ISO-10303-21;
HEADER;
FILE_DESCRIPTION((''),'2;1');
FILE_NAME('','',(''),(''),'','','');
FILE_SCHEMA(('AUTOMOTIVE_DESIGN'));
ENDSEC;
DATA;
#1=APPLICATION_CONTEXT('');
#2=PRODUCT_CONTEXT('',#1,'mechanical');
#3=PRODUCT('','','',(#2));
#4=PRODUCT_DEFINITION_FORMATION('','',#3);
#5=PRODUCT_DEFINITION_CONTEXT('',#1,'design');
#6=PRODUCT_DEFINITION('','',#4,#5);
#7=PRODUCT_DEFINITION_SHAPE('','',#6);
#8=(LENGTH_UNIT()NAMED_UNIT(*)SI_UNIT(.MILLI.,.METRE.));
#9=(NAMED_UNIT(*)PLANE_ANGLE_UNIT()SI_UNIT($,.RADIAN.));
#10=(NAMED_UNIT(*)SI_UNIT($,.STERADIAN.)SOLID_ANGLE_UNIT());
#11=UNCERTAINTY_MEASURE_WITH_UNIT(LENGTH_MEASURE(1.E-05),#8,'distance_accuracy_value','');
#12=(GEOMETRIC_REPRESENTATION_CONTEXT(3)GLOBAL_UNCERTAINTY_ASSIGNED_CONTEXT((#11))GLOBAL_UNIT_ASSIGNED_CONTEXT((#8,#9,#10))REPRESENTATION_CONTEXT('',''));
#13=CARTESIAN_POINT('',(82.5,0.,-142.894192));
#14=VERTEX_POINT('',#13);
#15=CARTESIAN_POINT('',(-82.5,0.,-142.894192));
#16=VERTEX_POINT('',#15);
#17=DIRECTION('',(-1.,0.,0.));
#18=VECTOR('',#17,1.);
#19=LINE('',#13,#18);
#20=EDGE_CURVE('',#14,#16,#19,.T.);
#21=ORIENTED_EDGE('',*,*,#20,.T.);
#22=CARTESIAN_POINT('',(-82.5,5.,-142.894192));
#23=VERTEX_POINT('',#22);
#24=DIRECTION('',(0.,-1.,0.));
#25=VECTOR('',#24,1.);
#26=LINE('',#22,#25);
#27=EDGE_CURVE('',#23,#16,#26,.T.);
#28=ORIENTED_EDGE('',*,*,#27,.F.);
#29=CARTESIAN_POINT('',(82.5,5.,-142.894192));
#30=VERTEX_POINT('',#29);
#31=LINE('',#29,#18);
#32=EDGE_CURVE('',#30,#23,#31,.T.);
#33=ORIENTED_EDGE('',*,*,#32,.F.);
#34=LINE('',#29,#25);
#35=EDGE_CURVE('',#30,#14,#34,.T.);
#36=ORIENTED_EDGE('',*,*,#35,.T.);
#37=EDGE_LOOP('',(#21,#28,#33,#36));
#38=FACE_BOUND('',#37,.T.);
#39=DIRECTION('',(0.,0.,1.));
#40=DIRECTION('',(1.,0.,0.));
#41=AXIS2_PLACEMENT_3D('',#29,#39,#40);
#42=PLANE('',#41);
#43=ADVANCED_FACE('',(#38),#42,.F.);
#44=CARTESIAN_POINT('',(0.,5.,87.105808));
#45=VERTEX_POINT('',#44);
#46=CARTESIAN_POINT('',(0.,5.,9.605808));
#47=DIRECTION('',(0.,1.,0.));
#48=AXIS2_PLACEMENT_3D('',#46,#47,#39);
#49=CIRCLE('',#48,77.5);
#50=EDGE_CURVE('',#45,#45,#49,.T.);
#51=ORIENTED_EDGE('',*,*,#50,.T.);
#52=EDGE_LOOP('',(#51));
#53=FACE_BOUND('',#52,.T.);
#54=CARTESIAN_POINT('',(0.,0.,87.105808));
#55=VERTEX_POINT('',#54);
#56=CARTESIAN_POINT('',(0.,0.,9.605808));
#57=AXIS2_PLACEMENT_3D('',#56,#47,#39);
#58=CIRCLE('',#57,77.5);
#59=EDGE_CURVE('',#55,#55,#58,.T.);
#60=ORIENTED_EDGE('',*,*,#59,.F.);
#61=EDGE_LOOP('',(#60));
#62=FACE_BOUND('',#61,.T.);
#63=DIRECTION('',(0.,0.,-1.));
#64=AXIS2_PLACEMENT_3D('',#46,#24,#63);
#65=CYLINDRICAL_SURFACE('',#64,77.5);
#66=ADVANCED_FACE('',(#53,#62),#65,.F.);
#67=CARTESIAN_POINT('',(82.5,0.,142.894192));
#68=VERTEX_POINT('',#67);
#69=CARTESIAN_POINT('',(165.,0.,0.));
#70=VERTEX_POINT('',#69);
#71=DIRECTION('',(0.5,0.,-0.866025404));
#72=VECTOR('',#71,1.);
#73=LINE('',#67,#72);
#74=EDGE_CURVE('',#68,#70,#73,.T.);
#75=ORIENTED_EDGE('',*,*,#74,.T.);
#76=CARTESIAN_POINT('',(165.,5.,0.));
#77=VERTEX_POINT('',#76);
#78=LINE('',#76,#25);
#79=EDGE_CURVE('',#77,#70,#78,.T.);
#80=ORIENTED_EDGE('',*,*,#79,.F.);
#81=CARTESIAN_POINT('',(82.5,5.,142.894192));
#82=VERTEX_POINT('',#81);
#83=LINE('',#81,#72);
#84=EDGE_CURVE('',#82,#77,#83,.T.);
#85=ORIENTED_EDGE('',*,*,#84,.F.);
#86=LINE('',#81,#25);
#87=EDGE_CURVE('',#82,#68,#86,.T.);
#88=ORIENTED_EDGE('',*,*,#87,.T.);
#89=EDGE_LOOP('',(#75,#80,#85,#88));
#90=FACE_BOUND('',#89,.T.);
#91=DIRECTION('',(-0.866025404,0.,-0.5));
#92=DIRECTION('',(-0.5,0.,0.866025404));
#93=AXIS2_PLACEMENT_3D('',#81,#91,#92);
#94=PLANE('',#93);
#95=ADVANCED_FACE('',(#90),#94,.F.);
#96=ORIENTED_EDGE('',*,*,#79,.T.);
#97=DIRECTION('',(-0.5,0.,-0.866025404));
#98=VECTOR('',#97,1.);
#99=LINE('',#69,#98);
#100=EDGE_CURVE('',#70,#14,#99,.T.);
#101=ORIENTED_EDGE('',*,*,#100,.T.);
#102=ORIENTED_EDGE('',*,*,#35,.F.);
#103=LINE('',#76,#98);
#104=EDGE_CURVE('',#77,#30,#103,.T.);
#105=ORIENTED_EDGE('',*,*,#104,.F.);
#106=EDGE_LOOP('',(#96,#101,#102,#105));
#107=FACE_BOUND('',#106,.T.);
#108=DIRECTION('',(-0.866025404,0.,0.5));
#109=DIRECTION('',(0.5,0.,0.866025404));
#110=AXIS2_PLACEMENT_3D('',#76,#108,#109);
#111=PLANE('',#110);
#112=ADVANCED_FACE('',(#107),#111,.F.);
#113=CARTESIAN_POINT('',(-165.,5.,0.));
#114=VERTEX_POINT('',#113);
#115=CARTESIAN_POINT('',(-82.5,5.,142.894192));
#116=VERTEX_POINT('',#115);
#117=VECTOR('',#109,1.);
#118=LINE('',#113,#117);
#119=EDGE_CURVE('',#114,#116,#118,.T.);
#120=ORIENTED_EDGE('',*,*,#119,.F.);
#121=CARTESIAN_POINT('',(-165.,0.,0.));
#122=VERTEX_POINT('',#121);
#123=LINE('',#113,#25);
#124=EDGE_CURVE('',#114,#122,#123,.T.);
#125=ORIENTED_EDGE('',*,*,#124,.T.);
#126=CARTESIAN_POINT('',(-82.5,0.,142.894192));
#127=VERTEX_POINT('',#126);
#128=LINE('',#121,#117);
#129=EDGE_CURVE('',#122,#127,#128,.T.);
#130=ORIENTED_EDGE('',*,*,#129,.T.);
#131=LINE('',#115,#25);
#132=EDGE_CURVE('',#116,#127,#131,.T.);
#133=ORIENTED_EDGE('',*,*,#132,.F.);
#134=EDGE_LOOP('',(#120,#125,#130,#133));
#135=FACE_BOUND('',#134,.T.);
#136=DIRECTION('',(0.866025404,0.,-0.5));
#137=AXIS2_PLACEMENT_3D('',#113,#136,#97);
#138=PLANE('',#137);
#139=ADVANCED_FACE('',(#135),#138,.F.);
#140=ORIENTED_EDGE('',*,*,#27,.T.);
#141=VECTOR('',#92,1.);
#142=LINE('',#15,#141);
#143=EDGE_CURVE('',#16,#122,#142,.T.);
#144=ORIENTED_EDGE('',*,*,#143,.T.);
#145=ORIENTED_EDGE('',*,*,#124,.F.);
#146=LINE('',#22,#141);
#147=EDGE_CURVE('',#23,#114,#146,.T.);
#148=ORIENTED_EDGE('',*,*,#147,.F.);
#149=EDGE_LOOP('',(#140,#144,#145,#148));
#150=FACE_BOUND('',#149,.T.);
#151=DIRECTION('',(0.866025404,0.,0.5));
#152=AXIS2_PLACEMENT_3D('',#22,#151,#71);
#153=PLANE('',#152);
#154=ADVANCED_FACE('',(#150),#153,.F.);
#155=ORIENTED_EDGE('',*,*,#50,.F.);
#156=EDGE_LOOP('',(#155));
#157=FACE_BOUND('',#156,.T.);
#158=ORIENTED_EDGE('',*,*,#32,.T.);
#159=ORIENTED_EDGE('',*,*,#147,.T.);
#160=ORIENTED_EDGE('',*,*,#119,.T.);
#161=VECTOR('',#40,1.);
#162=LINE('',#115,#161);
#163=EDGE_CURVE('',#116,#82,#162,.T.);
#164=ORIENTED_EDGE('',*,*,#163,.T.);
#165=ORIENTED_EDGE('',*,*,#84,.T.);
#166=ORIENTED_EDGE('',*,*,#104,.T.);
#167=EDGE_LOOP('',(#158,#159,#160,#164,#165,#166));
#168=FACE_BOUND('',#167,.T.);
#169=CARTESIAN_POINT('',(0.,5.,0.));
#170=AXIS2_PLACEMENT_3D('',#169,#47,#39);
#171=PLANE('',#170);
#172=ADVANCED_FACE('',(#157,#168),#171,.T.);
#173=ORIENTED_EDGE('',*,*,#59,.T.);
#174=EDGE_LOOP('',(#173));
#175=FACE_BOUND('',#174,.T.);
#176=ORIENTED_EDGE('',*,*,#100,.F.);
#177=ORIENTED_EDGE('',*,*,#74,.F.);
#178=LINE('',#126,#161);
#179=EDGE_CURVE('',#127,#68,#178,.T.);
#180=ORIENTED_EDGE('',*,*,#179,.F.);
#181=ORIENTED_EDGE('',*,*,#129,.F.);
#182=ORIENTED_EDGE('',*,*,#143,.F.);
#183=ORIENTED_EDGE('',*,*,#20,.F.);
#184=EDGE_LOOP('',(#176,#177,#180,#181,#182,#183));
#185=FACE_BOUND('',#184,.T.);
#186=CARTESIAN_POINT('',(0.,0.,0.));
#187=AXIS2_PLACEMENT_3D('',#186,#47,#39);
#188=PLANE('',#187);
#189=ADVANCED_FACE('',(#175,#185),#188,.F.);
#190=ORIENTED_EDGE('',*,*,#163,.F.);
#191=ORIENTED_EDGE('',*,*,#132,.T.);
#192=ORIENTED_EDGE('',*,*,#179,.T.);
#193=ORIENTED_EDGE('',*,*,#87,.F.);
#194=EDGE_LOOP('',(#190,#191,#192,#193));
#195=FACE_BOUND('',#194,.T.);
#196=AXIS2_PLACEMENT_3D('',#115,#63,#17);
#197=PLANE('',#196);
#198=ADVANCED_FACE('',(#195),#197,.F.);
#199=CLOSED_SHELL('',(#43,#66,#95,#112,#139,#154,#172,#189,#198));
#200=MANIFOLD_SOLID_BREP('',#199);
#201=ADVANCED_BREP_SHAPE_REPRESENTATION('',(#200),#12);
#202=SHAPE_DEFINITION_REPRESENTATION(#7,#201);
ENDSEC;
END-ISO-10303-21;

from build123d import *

# Parameters (mm, degrees)
SKETCH1_R           = 77.5
BOSS_EXTRUDE1_DEPTH = 5


with BuildPart() as part:
    # Sketch1 → Boss-Extrude1 (new body)
    with BuildSketch(Plane(origin=(0, 0, 0), x_dir=(1, 0, 0), z_dir=(0, 1, 0))):
        Polygon((165, 0), (82.5, 142.894191624), (-82.5, 142.894191624), (-165, 0), (-82.5, -142.894191624), (82.5, -142.894191624), align=None)
        with Locations((0, -9.605808376)):
            Circle(SKETCH1_R, mode=Mode.SUBTRACT)
    extrude(amount=BOSS_EXTRUDE1_DEPTH)


solid = part.part
